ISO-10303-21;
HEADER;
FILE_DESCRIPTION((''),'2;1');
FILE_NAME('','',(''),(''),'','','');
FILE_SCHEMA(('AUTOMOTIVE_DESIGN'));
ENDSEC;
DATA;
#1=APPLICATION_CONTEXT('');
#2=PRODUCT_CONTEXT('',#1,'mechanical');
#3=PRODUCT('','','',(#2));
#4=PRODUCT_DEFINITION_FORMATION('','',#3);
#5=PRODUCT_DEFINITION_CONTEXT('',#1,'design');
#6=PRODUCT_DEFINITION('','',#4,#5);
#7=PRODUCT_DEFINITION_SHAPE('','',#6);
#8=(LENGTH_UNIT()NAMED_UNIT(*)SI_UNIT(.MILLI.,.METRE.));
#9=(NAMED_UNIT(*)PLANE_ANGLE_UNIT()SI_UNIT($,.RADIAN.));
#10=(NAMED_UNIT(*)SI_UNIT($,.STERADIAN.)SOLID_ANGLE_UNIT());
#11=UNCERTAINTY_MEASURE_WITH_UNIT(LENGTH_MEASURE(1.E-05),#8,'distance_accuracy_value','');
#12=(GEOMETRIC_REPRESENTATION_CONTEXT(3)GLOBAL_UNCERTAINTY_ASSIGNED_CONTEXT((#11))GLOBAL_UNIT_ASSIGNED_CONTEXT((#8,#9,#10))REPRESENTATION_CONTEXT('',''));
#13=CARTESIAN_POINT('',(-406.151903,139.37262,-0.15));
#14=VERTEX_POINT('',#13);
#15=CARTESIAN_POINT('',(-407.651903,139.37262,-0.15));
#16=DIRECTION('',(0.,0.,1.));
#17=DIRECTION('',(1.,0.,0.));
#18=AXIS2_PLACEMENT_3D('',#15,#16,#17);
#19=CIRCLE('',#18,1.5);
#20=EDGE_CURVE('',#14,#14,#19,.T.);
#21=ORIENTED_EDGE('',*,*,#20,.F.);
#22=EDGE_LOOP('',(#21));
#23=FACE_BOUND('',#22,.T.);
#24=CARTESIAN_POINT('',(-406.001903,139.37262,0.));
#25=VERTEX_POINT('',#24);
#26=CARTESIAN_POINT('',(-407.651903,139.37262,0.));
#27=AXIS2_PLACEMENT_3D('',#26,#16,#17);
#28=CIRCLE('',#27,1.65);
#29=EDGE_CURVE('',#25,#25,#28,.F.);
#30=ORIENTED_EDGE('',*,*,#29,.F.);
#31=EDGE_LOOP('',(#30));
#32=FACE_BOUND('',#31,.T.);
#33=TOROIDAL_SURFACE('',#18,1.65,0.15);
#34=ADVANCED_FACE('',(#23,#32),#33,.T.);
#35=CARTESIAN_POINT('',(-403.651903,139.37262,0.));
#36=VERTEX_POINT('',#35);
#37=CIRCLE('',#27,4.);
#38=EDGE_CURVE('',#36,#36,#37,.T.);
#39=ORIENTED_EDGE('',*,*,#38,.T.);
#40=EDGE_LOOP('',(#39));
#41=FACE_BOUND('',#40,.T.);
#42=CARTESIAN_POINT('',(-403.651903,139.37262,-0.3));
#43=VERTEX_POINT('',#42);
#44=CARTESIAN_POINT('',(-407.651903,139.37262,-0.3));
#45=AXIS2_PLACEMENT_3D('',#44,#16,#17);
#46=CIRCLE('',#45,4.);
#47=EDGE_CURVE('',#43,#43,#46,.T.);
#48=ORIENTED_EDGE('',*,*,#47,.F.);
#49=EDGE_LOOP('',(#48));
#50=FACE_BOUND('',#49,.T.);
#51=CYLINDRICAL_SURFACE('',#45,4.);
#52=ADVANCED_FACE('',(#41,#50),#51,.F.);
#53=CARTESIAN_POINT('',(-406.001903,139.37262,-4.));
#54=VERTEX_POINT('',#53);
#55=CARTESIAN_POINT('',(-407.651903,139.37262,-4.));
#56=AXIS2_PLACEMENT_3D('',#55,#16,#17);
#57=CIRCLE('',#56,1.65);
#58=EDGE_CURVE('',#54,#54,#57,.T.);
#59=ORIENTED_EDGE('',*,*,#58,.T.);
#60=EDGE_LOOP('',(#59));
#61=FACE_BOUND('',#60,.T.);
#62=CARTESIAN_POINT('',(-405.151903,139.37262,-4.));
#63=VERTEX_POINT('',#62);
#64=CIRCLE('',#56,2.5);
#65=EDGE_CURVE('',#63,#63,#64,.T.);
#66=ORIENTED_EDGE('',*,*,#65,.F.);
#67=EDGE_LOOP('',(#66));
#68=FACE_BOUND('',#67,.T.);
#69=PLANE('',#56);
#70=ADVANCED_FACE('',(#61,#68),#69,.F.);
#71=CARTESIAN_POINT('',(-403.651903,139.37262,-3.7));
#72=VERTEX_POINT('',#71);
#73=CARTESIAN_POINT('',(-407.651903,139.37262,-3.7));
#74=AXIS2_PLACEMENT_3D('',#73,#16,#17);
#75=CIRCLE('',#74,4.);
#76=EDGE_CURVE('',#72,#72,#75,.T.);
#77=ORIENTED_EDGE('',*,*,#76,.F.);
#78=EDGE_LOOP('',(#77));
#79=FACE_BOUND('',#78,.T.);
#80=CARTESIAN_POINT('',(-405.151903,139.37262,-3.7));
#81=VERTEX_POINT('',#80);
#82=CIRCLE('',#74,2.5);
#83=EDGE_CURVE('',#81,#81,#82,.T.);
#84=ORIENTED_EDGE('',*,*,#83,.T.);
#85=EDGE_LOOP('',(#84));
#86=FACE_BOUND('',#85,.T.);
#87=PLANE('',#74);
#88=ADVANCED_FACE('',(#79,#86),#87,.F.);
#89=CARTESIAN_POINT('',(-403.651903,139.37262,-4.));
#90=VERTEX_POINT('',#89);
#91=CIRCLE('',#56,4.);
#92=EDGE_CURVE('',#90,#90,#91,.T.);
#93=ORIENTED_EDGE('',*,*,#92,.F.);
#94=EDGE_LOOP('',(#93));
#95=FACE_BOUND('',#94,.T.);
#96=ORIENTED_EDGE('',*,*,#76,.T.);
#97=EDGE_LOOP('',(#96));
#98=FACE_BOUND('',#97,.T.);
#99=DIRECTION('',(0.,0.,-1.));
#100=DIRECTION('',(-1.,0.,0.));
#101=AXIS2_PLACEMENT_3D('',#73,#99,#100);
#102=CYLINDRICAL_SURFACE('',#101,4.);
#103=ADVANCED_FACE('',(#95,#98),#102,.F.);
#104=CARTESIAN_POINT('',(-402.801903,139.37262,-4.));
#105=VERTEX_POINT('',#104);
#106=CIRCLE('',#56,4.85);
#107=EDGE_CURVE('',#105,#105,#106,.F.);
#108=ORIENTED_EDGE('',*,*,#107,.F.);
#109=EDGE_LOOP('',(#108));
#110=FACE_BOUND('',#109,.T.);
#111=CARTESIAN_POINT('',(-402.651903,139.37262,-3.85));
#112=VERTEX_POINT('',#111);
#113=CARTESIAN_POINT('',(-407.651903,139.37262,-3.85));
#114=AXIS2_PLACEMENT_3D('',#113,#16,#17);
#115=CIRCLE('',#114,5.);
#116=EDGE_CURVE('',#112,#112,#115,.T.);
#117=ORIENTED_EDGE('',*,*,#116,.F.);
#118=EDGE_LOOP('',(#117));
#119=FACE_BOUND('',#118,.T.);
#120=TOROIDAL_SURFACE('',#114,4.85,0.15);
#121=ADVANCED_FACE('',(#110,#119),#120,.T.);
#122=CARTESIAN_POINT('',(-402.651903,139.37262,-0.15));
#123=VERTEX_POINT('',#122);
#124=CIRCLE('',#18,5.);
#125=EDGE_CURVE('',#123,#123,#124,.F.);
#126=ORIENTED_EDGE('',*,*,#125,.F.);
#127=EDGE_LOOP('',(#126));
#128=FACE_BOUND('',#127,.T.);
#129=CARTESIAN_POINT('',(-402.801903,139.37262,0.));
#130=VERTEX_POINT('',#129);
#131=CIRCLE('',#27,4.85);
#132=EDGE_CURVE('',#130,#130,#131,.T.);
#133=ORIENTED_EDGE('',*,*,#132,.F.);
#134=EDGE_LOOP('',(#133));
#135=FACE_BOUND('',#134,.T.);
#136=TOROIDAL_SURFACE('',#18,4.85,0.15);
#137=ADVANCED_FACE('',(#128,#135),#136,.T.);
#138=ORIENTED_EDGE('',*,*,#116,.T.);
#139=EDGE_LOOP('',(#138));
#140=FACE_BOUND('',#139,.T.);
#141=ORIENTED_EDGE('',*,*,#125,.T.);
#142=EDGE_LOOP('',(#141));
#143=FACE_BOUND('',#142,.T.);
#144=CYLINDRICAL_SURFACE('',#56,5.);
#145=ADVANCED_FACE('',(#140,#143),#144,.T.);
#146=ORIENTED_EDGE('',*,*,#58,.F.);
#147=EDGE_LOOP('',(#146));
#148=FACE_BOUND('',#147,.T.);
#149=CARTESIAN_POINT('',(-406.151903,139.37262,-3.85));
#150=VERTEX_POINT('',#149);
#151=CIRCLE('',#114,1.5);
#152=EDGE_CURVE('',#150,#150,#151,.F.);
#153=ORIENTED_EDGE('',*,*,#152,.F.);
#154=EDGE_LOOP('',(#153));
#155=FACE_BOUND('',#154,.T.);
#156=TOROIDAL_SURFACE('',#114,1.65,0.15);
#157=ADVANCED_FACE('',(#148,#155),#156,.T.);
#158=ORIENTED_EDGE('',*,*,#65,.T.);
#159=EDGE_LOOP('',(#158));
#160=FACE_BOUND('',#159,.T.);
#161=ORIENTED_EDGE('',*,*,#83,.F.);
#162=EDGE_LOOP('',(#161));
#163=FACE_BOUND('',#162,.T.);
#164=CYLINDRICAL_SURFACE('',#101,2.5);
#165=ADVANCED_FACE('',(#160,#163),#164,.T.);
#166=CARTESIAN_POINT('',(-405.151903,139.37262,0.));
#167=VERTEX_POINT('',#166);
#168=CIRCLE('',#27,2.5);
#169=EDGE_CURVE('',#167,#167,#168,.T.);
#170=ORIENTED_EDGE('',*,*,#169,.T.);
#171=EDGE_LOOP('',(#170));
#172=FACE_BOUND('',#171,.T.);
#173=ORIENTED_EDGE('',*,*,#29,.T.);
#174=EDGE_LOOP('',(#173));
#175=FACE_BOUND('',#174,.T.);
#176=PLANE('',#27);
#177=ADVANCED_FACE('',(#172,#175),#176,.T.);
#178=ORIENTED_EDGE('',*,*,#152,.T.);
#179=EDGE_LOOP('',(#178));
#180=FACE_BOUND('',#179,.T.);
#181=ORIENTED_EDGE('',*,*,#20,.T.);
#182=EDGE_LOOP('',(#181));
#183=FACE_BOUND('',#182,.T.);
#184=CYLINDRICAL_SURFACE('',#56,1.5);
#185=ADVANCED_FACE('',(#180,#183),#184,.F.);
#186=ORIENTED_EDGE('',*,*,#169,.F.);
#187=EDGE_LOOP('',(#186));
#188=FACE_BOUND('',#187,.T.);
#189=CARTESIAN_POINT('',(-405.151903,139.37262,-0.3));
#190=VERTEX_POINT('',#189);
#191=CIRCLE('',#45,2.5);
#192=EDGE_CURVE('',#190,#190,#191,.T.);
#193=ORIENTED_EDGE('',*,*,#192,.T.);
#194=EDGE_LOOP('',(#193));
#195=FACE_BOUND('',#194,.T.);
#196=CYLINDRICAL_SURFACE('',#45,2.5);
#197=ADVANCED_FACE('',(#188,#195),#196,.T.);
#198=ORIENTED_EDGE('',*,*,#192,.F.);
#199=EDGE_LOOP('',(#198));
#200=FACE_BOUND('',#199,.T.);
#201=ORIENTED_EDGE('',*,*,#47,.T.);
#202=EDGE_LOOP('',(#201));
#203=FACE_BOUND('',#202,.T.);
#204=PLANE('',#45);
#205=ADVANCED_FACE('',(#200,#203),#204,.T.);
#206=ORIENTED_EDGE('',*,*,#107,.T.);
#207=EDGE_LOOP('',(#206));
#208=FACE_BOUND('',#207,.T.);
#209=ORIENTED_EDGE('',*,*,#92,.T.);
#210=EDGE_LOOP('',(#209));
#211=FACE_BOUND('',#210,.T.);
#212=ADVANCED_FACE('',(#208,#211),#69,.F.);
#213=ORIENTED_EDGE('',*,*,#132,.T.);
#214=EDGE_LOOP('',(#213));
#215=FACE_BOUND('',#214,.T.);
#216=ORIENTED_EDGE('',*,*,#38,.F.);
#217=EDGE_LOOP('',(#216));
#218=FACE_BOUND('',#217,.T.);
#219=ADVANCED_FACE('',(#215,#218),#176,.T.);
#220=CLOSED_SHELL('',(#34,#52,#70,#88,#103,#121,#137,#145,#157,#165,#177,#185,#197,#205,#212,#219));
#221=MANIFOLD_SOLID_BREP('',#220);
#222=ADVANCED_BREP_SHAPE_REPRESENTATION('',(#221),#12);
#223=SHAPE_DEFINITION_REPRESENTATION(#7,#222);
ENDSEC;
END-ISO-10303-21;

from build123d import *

# Parameters (mm, degrees)
SKETCH_1_R          = 5
SKETCH_1_R_2        = 1.5
EXTRUDE_1_DEPTH     = 4
SKETCH_2_R          = 4
SKETCH_2_R_2        = 2.5
CUT_EXTRUDE_1_DEPTH = 0.3
CUT_EXTRUDE_START   = -3.7
SKETCH_2_2_R        = 4
SKETCH_2_2_R_2      = 2.5
CUT_EXTRUDE_3_DEPTH = 0.3
FILLET_1_R          = 0.15


with BuildPart() as part:
    # Эскиз1 → Бобышка-Вытянуть1 (new body)
    with BuildSketch(Plane.XY):
        with Locations((-407.651902974, 139.372619686)):
            Circle(SKETCH_1_R)
        with Locations((-407.651902974, 139.372619686)):
            Circle(SKETCH_1_R_2, mode=Mode.SUBTRACT)
    extrude(amount=-EXTRUDE_1_DEPTH)

    # Эскиз2 → Вырез-Вытянуть1 (cut)
    with BuildSketch(Plane.XY):
        with Locations((-407.651902974, 139.372619686)):
            Circle(SKETCH_2_R)
        with Locations((-407.651902974, 139.372619686)):
            Circle(SKETCH_2_R_2, mode=Mode.SUBTRACT)
    extrude(amount=-CUT_EXTRUDE_1_DEPTH, mode=Mode.SUBTRACT)

    # Эскиз2<2> → Вырез-Вытянуть3 (cut)
    with BuildSketch(Plane.XY.offset(CUT_EXTRUDE_START)):
        with Locations((-407.651902974, 139.372619686)):
            Circle(SKETCH_2_2_R)
        with Locations((-407.651902974, 139.372619686)):
            Circle(SKETCH_2_2_R_2, mode=Mode.SUBTRACT)
    extrude(amount=-CUT_EXTRUDE_3_DEPTH, mode=Mode.SUBTRACT)

    # Скругление1
    fillet_1_edges = [part.edges().sort_by_distance(p)[0] for p in [
        (-412.651902974, 139.372619686, 0),
        (-412.651902974, 139.372619686, -4),
        (-409.151902974, 139.372619686, -4),
        (-409.151902974, 139.372619686, 0),
    ]]
    fillet(fillet_1_edges, radius=FILLET_1_R)


solid = part.part
